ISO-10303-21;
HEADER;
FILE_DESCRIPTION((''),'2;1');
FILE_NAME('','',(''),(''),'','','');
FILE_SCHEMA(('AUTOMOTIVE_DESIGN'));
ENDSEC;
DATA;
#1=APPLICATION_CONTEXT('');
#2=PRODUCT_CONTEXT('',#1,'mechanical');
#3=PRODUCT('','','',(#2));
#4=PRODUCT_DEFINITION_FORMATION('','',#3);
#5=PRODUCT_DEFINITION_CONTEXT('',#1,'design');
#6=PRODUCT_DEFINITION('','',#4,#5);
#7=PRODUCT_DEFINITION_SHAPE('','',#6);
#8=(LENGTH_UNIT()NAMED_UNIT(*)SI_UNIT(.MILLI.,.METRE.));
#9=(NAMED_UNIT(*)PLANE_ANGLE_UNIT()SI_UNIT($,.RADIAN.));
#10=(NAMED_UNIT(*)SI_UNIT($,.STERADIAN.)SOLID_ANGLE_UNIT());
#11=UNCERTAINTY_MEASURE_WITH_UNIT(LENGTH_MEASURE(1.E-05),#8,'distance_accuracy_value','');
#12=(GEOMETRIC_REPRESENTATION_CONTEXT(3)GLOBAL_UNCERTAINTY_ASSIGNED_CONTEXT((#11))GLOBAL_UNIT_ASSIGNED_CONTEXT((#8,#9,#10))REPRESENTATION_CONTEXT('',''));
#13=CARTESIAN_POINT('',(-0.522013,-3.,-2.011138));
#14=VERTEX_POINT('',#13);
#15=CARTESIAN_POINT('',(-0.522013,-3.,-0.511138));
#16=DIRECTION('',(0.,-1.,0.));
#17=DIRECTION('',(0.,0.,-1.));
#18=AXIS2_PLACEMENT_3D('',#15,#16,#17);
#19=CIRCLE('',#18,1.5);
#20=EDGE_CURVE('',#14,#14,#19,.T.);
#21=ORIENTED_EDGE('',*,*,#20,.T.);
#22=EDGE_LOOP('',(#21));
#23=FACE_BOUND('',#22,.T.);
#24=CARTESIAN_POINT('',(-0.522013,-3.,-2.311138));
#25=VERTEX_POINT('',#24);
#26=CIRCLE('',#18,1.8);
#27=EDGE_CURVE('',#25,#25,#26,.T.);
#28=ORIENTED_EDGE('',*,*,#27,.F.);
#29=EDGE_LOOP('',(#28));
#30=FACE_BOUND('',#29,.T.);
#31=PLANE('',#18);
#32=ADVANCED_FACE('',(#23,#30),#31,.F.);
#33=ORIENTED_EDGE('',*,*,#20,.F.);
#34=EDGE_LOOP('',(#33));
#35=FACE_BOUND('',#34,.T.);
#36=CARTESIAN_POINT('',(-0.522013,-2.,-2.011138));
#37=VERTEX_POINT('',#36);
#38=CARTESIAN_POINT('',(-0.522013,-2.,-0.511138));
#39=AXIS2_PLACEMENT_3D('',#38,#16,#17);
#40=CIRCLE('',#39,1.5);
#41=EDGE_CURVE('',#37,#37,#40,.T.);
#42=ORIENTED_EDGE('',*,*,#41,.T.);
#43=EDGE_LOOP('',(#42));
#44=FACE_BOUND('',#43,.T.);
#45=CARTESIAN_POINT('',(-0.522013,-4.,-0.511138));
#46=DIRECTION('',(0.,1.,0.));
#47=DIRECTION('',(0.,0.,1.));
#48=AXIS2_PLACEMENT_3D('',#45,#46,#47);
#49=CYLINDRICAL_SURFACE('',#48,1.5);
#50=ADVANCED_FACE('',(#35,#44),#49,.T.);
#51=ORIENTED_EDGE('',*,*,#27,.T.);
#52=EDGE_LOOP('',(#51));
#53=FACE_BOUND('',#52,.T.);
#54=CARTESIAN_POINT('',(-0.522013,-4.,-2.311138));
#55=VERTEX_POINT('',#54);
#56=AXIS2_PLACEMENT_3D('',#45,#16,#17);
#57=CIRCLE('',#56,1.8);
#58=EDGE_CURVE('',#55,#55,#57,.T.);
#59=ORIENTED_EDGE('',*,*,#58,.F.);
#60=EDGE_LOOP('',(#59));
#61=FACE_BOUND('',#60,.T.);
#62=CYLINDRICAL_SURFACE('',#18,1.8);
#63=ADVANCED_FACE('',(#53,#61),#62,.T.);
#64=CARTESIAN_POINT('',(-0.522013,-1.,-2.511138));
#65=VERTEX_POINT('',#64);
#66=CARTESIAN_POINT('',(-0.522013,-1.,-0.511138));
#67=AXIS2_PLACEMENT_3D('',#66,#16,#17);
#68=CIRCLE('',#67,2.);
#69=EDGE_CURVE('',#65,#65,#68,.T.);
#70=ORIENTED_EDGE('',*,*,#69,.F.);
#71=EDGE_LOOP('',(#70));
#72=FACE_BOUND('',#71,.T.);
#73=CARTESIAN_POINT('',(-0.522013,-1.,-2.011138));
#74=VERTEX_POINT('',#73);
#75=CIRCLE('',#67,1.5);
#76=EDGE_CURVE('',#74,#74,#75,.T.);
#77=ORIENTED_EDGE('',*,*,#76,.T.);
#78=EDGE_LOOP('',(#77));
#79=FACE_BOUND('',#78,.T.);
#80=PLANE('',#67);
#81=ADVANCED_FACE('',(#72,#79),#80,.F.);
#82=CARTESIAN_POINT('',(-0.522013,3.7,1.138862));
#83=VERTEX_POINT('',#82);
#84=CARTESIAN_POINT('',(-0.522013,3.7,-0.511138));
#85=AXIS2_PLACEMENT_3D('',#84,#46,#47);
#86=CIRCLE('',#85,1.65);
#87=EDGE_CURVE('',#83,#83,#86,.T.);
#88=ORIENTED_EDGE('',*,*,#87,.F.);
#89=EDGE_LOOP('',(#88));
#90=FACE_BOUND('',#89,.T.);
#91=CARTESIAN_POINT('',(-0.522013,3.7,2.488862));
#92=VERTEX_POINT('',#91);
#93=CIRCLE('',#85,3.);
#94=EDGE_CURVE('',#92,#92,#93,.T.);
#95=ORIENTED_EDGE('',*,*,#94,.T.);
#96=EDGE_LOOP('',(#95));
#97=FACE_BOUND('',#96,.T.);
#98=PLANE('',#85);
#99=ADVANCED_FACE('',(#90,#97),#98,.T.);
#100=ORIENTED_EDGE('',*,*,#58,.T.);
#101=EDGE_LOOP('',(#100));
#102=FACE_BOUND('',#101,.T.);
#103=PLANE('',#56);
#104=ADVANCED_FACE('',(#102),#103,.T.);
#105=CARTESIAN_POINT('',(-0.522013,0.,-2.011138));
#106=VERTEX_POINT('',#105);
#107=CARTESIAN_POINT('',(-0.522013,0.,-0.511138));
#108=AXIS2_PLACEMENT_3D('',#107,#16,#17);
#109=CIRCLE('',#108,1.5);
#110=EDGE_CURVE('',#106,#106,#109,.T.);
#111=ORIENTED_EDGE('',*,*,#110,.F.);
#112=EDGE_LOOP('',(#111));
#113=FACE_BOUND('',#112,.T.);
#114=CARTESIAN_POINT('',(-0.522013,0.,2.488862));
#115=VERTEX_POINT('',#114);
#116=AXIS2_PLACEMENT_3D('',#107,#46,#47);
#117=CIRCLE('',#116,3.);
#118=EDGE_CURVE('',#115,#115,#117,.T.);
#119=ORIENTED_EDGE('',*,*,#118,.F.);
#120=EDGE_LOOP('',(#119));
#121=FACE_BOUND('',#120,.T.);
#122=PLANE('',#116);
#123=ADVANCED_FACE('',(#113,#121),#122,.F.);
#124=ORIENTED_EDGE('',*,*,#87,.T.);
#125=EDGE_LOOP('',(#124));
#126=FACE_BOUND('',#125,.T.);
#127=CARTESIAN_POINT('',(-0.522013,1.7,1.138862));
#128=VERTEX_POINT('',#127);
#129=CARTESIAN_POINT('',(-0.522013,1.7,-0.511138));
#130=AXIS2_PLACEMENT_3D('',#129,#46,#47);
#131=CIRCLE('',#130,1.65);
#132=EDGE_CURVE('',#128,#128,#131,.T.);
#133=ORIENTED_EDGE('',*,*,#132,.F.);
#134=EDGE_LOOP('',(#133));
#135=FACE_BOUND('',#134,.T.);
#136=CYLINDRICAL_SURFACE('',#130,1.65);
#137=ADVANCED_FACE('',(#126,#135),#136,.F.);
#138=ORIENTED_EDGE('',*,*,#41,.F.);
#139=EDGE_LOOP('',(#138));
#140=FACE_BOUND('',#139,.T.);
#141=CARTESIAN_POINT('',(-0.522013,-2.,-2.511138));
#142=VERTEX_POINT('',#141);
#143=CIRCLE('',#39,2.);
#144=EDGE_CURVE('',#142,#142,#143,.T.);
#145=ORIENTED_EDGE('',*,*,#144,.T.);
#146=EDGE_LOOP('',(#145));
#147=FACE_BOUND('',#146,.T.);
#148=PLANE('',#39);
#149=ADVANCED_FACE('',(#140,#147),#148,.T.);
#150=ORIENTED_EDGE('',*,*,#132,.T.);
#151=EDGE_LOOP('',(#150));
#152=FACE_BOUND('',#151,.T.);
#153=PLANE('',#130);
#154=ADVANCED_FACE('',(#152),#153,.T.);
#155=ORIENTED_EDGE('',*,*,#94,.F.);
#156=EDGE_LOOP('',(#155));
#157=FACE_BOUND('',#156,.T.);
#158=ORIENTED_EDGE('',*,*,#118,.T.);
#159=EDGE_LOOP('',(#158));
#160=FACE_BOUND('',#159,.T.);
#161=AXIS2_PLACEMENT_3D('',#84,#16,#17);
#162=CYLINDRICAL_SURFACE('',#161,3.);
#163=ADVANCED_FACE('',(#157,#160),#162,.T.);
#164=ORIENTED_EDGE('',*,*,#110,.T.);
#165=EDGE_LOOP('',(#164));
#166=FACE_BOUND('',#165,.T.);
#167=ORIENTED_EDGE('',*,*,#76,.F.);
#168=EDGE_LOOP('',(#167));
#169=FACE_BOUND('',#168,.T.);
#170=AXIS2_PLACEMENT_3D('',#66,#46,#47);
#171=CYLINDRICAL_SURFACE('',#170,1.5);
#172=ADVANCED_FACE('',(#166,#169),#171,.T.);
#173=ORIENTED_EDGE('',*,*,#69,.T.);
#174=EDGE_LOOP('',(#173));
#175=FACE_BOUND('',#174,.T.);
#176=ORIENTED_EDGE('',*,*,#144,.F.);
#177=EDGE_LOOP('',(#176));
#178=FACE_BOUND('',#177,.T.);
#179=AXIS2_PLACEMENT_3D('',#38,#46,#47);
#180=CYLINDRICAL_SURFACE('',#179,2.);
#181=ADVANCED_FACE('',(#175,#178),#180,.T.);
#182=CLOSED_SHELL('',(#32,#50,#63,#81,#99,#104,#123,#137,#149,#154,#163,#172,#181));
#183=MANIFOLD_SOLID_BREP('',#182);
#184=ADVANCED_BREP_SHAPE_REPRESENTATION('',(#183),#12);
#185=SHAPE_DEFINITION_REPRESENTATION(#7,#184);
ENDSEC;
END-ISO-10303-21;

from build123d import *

# Parameters (mm, degrees)
SKETCH1_R           = 3
BOSS_EXTRUDE1_DEPTH = 3.7
SKETCH1_3_R         = 1.6
BOSS_EXTRUDE2_DEPTH = 1
SKETCH5_R           = 1.5
BOSS_EXTRUDE3_DEPTH = 1
SKETCH6_R           = 2
BOSS_EXTRUDE4_DEPTH = 1
SKETCH8_R           = 1.5
BOSS_EXTRUDE5_DEPTH = 2
SKETCH10_R          = 1.8
BOSS_EXTRUDE6_DEPTH = 1
SKETCH12_R          = 1.65
CUT_EXTRUDE1_DEPTH  = 2


with BuildPart() as part:
    # Sketch1 → Boss-Extrude1 (new body)
    with BuildSketch(Plane(origin=(0, 0, 0), x_dir=(1, 0, 0), z_dir=(0, 1, 0))):
        with Locations((-0.522013312, 0.511138034)):
            Circle(SKETCH1_R)
    extrude(amount=BOSS_EXTRUDE1_DEPTH)

    # Sketch1<3> → Boss-Extrude2 (add)
    with BuildSketch(Plane(origin=(0, 0, 0), x_dir=(1, 0, 0), z_dir=(0, 1, 0))):
        with Locations((-0.522013312, 0.511138034)):
            Circle(SKETCH1_3_R)
    extrude(amount=BOSS_EXTRUDE2_DEPTH)

    # Sketch5 → Boss-Extrude3 (add)
    with BuildSketch(Plane.XZ):
        with Locations((-0.522013312, -0.511138034)):
            Circle(SKETCH5_R)
    extrude(amount=BOSS_EXTRUDE3_DEPTH)

    # Sketch6 → Boss-Extrude4 (add)
    with BuildSketch(Plane.XZ.offset(1)):
        with Locations((-0.522013312, -0.511138034)):
            Circle(SKETCH6_R)
    extrude(amount=BOSS_EXTRUDE4_DEPTH)

    # Sketch8 → Boss-Extrude5 (add)
    with BuildSketch(Plane(origin=(0, -2, 0), x_dir=(-1, 0, 0), z_dir=(0, -1, 0))):
        with Locations((0.522013312, 0.511138034)):
            Circle(SKETCH8_R)
    extrude(amount=BOSS_EXTRUDE5_DEPTH)

    # Sketch10 → Boss-Extrude6 (add)
    with BuildSketch(Plane.XZ.offset(4)):
        with Locations((-0.522013312, -0.511138034)):
            Circle(SKETCH10_R)
    extrude(amount=-BOSS_EXTRUDE6_DEPTH)

    # Sketch12 → Cut-Extrude1 (cut)
    with BuildSketch(Plane(origin=(0, 3.7, 0), x_dir=(1, 0, 0), z_dir=(0, 1, 0))):
        with Locations((-0.522013312, 0.511138034)):
            Circle(SKETCH12_R)
    extrude(amount=-CUT_EXTRUDE1_DEPTH, mode=Mode.SUBTRACT)


solid = part.part
